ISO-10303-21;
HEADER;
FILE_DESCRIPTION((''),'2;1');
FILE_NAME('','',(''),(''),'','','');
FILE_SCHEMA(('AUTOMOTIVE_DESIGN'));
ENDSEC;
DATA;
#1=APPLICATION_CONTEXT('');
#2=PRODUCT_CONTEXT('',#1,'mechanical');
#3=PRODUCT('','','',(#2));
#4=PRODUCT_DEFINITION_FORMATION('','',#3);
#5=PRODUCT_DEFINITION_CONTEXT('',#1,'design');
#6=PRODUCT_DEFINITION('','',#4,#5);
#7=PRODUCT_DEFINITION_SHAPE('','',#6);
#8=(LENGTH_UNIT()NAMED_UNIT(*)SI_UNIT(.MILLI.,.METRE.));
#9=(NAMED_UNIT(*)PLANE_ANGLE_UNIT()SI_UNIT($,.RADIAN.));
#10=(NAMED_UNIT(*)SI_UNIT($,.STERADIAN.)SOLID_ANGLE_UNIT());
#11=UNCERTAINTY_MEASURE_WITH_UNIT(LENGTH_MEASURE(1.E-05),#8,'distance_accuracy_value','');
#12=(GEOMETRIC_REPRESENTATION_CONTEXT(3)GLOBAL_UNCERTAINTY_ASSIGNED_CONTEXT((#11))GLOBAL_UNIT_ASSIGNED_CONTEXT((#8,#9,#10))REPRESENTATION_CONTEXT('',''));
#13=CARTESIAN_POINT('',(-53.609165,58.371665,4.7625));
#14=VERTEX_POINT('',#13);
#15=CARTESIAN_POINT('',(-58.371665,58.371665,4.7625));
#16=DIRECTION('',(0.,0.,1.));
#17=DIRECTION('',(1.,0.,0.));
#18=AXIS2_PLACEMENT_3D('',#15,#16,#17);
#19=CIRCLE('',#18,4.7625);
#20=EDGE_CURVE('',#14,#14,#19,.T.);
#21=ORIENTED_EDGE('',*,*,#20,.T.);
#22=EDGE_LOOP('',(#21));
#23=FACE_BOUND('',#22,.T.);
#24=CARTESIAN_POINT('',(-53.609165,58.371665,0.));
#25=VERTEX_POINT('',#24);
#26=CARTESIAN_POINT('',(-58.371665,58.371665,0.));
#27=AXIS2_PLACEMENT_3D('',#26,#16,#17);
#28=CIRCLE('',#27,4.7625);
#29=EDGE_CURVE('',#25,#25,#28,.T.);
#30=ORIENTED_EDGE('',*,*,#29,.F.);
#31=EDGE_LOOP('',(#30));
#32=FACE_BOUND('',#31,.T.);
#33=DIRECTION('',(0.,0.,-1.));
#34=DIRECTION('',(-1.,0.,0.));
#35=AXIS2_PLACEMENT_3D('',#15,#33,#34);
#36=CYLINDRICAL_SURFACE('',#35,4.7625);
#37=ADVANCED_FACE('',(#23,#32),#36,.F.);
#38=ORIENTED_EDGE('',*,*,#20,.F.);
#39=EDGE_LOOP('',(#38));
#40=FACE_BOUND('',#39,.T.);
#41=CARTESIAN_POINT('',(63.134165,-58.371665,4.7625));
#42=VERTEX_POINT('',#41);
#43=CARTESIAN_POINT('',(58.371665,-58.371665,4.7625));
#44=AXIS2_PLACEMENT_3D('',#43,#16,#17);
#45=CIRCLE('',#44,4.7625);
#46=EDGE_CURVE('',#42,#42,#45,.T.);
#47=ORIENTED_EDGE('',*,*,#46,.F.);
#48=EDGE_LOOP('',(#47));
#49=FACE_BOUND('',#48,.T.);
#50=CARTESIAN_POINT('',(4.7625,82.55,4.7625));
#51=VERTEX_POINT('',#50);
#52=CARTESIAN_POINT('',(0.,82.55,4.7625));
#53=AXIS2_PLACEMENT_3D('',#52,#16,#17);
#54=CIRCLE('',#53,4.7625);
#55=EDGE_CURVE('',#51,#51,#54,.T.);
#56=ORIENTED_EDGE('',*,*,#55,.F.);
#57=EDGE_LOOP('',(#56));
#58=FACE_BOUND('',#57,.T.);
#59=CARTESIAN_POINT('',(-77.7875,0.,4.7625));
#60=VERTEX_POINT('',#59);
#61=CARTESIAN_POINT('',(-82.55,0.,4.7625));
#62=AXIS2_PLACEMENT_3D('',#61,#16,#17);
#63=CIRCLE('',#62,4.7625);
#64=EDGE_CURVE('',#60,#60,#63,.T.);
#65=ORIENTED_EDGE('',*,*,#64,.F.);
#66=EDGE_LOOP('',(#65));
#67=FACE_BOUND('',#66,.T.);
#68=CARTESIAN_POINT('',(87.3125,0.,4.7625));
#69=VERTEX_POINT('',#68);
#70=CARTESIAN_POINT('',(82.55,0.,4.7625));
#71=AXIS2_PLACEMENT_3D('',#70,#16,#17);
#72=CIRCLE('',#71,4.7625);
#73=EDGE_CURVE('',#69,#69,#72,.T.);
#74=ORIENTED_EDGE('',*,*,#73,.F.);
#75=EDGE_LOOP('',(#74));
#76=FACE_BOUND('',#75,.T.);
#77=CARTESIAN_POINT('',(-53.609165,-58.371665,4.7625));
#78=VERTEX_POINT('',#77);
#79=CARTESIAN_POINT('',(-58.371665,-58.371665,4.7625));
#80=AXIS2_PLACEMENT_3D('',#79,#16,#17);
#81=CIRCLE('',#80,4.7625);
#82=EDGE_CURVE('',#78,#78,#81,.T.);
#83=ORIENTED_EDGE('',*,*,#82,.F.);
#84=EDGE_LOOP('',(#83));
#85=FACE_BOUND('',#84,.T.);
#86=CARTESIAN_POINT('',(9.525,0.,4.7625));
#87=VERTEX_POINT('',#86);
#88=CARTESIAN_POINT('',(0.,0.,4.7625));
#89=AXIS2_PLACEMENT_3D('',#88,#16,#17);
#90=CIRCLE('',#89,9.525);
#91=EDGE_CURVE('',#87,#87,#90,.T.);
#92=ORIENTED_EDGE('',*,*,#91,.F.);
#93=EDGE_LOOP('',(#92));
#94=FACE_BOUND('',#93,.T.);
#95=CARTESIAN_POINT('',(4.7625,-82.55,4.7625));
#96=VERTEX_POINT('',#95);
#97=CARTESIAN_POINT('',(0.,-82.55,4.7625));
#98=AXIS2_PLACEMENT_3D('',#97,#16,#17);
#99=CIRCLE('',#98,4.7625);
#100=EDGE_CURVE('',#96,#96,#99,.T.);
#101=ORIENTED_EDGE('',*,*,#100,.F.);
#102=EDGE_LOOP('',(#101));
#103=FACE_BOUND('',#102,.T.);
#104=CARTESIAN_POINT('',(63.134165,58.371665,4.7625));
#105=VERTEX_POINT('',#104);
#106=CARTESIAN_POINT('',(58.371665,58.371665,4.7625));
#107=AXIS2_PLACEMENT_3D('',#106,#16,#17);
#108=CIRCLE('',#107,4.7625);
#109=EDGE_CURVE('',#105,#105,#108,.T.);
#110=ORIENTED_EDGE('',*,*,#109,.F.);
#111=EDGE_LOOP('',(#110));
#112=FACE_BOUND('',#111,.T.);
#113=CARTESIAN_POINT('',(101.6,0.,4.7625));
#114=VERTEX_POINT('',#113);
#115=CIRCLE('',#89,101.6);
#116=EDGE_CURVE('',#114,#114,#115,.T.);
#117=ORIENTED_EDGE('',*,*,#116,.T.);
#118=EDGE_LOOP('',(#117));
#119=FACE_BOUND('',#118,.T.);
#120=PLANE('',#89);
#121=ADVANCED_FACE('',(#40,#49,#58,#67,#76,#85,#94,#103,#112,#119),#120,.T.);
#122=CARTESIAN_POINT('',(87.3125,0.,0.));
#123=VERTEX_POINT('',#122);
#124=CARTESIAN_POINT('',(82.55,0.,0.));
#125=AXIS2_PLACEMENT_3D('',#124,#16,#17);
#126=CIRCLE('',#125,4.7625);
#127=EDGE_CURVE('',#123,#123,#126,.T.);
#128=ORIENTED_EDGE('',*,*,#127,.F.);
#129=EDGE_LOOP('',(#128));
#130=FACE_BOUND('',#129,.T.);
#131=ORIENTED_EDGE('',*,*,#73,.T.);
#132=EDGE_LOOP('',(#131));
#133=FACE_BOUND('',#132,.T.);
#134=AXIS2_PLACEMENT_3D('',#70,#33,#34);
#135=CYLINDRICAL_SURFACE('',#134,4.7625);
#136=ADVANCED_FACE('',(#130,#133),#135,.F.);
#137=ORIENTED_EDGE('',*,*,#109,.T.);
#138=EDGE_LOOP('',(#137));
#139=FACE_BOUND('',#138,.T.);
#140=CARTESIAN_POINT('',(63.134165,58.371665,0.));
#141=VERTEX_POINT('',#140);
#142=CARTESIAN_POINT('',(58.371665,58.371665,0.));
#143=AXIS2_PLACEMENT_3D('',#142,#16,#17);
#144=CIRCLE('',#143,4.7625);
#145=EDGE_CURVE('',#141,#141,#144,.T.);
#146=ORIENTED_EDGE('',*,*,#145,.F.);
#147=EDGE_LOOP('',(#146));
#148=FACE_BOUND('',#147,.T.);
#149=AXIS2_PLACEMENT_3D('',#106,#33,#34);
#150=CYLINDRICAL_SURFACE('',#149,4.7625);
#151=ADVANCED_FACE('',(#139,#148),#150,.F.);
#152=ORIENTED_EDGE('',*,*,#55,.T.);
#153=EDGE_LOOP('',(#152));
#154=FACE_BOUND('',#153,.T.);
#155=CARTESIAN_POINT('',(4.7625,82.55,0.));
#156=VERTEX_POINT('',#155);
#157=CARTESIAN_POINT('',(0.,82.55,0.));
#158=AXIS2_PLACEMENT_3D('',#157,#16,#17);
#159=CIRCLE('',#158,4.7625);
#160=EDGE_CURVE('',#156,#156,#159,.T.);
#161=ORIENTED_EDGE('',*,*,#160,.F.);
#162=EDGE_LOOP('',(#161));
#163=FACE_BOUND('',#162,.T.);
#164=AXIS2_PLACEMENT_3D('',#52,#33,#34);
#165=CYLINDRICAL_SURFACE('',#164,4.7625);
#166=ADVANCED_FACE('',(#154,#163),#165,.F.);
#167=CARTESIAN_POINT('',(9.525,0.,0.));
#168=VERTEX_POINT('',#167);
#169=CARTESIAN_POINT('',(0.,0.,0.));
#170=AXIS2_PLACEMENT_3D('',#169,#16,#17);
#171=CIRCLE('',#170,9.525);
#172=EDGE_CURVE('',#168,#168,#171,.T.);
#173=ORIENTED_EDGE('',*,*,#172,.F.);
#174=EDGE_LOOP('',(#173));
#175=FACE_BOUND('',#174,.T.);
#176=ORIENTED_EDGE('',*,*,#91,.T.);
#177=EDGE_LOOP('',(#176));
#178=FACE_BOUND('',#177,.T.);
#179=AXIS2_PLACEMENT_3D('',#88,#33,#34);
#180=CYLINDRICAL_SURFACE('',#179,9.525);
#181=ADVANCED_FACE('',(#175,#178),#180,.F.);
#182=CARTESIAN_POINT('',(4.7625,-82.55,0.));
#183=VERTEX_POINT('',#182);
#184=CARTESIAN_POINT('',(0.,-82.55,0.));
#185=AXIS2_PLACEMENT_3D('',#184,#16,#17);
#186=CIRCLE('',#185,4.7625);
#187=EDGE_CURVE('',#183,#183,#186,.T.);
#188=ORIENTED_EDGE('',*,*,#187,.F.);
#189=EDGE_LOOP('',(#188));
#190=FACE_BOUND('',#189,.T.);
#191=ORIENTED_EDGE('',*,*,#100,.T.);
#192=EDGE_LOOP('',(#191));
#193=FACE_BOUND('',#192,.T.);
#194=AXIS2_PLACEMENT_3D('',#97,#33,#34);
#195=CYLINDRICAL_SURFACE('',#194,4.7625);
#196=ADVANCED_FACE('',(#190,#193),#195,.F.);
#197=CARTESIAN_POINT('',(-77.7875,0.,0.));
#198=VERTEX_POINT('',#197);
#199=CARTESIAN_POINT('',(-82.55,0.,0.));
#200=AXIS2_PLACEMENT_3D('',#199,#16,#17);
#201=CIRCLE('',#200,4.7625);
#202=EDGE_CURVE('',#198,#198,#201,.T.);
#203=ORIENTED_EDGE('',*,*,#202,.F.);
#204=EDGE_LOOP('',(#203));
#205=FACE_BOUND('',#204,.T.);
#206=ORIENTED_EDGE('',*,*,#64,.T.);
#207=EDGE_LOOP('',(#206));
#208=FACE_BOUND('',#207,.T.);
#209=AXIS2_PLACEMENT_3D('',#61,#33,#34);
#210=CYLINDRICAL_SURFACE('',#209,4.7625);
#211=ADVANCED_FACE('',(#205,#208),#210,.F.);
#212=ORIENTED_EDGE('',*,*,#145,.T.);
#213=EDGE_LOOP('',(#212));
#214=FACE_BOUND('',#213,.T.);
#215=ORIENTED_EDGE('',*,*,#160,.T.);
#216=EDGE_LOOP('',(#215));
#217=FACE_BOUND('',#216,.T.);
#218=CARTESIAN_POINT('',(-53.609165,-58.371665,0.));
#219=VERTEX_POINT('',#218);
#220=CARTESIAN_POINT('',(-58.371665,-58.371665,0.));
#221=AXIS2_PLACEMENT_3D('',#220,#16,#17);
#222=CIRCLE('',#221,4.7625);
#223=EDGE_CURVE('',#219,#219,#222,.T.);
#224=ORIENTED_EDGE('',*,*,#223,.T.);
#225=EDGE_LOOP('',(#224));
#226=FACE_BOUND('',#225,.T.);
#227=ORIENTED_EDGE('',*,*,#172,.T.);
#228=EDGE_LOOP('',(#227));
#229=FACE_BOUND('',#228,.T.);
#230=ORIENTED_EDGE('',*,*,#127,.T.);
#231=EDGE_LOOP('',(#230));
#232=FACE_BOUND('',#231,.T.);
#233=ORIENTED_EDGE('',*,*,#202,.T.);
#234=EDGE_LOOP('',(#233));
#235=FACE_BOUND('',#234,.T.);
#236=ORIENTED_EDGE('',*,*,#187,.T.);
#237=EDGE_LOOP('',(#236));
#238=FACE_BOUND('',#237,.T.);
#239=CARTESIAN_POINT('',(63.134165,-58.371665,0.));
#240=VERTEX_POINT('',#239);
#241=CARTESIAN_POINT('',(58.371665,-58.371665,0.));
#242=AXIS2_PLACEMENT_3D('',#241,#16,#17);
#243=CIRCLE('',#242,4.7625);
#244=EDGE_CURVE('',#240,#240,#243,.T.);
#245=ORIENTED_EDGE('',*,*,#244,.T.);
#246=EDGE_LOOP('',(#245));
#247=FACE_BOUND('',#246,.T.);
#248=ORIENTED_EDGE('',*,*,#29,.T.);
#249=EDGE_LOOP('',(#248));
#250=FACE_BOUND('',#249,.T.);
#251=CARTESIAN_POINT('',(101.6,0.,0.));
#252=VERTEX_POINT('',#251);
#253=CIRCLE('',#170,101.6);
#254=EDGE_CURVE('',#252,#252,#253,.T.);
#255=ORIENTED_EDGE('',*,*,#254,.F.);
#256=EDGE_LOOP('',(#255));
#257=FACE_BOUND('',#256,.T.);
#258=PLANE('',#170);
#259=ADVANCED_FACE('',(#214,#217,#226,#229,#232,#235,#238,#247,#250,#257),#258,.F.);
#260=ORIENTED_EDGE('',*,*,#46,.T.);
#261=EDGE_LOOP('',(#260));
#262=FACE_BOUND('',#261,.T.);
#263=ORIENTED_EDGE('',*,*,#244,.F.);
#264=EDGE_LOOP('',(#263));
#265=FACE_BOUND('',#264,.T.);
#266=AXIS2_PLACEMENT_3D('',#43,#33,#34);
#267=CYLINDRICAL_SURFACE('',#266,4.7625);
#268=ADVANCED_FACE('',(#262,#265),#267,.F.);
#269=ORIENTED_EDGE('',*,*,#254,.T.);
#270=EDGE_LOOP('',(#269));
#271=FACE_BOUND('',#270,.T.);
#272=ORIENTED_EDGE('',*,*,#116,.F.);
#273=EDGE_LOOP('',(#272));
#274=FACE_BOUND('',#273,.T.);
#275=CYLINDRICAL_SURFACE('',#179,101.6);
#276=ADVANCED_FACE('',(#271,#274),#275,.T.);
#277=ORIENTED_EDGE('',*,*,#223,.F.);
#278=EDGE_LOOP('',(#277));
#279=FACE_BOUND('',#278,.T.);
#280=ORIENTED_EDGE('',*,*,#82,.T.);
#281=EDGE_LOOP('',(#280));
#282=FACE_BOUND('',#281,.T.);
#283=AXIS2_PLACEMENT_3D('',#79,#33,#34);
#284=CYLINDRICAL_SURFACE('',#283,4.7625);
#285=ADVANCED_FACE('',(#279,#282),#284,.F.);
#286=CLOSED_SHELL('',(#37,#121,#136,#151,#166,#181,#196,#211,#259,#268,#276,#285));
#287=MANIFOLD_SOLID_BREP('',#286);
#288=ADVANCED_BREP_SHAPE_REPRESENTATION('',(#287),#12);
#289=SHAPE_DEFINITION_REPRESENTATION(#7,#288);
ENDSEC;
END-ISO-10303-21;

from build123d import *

# Parameters (mm, degrees)
SKETCH1_R        = 101.6
SKETCH1_R_2      = 9.525
SKETCH1_R_3      = 4.7625
ROTOR_DISC_DEPTH = 4.7625


with BuildPart() as part:
    # Sketch1 → Rotor Disc (new body)
    with BuildSketch(Plane.XY):
        Circle(SKETCH1_R)
        Circle(SKETCH1_R_2, mode=Mode.SUBTRACT)
        with Locations((0, 82.55)):
            Circle(SKETCH1_R_3, mode=Mode.SUBTRACT)
        with Locations((58.371664787, 58.371664787)):
            Circle(SKETCH1_R_3, mode=Mode.SUBTRACT)
        with Locations((82.55, 0)):
            Circle(SKETCH1_R_3, mode=Mode.SUBTRACT)
        with Locations((58.371664787, -58.371664787)):
            Circle(SKETCH1_R_3, mode=Mode.SUBTRACT)
        with Locations((0, -82.55)):
            Circle(SKETCH1_R_3, mode=Mode.SUBTRACT)
        with Locations((-58.371664787, -58.371664787)):
            Circle(SKETCH1_R_3, mode=Mode.SUBTRACT)
        with Locations((-82.55, 0)):
            Circle(SKETCH1_R_3, mode=Mode.SUBTRACT)
        with Locations((-58.371664787, 58.371664787)):
            Circle(SKETCH1_R_3, mode=Mode.SUBTRACT)
    extrude(amount=ROTOR_DISC_DEPTH)


solid = part.part
